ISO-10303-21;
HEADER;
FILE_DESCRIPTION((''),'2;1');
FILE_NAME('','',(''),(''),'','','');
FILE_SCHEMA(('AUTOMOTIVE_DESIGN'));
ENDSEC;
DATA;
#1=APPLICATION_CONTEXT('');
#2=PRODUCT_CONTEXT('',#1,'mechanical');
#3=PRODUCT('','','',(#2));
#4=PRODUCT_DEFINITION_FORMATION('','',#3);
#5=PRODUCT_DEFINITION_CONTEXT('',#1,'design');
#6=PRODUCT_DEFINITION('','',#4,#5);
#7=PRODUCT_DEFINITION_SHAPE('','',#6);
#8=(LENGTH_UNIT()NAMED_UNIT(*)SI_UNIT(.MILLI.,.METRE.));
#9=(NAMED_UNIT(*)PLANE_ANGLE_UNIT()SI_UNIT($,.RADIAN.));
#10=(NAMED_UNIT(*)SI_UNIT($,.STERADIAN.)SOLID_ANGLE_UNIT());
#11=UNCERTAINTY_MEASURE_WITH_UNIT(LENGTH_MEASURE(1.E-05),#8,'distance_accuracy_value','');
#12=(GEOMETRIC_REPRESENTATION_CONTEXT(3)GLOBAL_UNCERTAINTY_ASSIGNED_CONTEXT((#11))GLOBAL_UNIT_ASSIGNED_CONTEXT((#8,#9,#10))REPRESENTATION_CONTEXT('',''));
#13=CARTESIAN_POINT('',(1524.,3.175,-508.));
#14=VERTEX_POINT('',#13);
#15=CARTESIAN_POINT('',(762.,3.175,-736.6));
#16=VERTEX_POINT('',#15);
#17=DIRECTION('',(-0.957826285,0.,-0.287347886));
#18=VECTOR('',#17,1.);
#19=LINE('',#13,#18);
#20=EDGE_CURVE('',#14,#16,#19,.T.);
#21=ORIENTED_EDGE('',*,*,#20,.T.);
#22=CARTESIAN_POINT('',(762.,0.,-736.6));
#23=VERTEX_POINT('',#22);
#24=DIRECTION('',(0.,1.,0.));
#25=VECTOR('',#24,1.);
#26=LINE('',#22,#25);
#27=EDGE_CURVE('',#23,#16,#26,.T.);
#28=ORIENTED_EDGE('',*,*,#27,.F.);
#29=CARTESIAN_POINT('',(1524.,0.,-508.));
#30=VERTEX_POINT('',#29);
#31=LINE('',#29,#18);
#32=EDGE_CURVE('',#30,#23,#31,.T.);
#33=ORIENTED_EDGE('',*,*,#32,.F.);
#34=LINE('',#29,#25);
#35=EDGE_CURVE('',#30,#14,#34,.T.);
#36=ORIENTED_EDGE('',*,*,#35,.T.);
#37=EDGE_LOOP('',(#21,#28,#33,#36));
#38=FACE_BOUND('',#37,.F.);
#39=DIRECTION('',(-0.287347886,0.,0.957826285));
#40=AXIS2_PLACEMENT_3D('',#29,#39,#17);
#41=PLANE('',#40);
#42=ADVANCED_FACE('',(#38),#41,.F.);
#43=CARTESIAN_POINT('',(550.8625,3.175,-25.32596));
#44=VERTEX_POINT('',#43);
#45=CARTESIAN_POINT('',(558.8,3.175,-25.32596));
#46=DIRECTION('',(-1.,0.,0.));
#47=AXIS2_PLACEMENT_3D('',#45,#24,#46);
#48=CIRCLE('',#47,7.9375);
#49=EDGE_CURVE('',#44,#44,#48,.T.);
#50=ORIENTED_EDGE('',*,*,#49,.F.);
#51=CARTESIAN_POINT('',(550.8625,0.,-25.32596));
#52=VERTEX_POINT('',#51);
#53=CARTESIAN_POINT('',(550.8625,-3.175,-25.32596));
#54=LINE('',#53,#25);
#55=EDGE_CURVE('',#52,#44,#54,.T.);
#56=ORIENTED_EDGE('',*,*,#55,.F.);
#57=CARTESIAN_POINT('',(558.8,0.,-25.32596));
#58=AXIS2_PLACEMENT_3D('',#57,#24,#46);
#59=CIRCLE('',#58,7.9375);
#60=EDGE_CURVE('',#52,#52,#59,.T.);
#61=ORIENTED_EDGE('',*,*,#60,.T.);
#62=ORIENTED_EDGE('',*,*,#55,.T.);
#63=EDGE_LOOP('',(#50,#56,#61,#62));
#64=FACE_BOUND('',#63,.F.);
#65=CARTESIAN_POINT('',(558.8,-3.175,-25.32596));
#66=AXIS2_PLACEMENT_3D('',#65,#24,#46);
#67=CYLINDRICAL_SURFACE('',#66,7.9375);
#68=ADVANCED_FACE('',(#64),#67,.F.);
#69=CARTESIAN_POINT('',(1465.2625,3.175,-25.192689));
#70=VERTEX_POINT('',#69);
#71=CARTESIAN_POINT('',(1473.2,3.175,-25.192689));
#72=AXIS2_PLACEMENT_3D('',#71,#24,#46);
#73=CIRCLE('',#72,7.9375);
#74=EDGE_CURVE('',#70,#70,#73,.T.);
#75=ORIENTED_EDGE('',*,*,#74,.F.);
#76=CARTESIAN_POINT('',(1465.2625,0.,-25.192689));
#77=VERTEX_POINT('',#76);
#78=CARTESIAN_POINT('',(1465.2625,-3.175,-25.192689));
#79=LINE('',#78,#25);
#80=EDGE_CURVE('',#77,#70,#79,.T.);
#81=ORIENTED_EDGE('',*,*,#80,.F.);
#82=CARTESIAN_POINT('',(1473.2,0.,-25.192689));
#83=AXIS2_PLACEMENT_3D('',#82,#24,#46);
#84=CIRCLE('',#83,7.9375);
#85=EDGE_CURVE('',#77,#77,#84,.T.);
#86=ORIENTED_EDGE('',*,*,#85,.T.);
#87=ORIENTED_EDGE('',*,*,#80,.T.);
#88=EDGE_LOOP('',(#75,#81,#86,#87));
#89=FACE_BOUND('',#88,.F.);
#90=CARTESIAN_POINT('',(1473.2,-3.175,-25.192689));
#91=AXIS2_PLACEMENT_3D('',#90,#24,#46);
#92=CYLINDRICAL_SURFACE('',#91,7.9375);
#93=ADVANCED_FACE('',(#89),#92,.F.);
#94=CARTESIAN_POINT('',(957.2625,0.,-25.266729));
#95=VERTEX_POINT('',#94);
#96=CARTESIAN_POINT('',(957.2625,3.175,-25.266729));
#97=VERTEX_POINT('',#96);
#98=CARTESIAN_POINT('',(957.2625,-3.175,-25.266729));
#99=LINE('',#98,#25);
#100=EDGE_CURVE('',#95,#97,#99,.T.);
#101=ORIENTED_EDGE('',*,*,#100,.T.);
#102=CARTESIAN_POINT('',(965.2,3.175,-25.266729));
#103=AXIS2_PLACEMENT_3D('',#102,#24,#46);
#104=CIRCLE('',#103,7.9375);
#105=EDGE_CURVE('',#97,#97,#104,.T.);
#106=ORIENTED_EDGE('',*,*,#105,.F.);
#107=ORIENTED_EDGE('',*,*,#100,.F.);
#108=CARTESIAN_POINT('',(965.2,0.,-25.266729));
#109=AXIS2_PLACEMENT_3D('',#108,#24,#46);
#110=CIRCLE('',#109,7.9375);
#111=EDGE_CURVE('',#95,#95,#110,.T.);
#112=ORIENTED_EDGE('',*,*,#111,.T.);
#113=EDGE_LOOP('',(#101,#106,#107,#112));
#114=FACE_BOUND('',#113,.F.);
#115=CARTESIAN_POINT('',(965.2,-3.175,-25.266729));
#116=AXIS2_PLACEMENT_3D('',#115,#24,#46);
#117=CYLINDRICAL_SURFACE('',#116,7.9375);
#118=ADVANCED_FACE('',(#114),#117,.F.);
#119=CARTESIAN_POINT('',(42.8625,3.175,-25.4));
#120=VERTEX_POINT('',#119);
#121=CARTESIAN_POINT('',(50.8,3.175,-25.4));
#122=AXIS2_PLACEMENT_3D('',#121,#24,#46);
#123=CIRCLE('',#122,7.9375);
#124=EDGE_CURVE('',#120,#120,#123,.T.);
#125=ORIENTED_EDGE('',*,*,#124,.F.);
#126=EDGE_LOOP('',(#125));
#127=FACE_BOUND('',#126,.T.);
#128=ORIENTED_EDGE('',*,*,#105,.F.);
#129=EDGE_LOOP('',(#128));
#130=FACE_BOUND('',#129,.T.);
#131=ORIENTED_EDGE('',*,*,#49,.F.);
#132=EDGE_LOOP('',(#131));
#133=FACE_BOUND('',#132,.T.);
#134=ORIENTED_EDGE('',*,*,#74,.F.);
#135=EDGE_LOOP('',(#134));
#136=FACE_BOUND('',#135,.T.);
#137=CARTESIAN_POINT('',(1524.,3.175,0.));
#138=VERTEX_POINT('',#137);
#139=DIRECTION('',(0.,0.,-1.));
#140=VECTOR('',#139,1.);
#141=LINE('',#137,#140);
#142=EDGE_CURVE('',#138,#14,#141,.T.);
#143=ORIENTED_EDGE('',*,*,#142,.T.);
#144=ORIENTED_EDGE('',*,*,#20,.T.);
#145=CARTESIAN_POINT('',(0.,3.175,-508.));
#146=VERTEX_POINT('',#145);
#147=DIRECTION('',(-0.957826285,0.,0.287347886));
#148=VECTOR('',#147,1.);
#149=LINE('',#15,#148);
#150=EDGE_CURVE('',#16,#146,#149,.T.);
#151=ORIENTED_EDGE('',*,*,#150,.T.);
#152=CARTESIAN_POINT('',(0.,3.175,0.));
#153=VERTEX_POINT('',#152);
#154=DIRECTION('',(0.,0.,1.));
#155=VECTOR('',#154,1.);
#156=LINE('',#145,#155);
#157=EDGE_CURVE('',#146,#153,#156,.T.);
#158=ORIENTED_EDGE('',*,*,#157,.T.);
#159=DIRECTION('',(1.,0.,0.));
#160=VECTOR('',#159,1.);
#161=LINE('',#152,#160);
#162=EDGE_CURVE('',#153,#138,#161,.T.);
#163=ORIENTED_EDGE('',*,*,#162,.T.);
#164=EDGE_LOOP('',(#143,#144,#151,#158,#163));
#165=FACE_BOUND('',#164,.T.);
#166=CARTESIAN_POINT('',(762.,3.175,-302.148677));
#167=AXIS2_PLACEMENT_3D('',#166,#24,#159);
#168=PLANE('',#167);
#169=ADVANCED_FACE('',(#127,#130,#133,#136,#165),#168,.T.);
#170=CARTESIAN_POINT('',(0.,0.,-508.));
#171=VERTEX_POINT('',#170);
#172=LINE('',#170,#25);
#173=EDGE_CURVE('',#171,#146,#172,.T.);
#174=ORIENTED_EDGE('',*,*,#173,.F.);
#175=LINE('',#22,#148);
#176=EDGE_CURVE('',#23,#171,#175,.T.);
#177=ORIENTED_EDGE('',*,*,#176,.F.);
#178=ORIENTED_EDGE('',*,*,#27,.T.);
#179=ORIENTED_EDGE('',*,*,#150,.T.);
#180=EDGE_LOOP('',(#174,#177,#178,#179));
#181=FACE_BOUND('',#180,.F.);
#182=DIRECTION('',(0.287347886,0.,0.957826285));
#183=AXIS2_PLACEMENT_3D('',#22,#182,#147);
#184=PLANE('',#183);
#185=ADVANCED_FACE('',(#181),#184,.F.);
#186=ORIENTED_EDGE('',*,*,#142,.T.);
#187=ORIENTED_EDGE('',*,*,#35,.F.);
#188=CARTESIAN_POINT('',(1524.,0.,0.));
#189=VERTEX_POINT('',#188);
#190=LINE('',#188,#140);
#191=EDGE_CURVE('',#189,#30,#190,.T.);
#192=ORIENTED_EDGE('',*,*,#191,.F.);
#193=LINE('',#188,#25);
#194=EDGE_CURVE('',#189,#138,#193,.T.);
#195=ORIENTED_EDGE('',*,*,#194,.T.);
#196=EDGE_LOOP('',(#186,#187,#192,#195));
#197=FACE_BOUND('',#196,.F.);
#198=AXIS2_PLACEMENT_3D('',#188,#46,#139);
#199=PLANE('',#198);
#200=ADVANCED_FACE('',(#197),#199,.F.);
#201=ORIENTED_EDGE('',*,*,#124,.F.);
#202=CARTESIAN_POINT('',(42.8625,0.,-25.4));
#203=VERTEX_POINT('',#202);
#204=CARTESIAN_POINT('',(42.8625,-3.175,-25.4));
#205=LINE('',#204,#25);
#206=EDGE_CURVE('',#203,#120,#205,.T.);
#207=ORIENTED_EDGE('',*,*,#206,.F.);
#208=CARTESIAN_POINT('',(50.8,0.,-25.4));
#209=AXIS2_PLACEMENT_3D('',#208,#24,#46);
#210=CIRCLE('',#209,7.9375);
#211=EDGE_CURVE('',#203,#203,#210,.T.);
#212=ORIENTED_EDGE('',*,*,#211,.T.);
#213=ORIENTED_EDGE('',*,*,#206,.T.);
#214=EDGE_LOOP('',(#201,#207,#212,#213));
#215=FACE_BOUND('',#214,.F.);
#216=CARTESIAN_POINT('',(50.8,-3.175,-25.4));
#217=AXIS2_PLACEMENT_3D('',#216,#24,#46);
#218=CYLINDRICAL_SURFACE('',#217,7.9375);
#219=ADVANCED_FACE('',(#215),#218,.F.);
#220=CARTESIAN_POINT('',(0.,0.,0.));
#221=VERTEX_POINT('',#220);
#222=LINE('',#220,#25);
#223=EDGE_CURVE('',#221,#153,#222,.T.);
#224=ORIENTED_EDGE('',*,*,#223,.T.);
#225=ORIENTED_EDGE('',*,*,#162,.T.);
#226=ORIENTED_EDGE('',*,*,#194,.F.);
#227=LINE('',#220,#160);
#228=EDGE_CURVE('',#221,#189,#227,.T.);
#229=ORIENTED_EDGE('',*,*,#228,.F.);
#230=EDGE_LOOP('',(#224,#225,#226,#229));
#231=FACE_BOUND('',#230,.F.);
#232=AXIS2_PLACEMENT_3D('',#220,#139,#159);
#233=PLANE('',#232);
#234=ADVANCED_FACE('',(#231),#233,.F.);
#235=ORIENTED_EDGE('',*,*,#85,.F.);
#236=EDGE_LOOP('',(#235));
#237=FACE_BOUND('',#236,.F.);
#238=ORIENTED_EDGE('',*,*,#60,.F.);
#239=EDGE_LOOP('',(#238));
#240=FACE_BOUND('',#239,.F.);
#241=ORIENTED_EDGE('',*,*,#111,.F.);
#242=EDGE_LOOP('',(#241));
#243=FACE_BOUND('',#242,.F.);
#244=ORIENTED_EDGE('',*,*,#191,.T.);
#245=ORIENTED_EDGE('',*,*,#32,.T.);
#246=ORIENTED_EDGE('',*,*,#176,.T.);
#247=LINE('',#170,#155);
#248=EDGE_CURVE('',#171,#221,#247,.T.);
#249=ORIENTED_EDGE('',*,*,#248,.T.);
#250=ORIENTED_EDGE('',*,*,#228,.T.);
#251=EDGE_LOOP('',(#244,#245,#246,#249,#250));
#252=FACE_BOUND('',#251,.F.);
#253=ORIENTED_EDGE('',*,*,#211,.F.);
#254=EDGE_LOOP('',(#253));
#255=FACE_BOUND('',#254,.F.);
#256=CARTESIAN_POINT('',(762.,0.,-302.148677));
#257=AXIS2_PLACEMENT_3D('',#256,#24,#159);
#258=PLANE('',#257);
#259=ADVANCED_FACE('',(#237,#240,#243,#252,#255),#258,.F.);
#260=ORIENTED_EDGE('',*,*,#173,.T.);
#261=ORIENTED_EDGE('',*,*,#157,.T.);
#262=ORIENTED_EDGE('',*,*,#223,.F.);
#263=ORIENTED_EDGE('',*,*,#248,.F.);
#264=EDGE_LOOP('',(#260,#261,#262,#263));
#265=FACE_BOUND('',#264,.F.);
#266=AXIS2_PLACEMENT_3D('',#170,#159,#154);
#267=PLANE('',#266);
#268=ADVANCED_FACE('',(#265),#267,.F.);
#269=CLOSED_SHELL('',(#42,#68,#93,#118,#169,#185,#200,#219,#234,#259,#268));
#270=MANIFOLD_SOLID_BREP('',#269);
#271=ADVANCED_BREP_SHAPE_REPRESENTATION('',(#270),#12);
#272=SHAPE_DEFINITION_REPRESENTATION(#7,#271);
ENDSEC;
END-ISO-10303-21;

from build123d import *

# Parameters (mm, degrees)
BOSS_EXTRUDE1_DEPTH              = 3.175
F_5_8_0_625_DIAMETER_HOLE1_D     = 15.875
F_5_8_0_625_DIAMETER_HOLE1_DEPTH = 3.175


with BuildPart() as part:
    # Sketch1 → Boss-Extrude1 (new body)
    with BuildSketch(Plane(origin=(0, 0, 0), x_dir=(1, 0, 0), z_dir=(0, 1, 0))):
        Polygon((0, 0), (1524, 0), (1524, 508), (762, 736.6), (0, 508), align=None)
    extrude(amount=BOSS_EXTRUDE1_DEPTH)

    # 5/8 (0.625) Diameter Hole1
    with Locations(Plane.XZ):
        with Locations((50.8, -25.4), (558.8, -25.325960299), (965.2, -25.266728538), (1473.2, -25.192688837)):
            Hole(F_5_8_0_625_DIAMETER_HOLE1_D / 2, depth=F_5_8_0_625_DIAMETER_HOLE1_DEPTH)


solid = part.part
